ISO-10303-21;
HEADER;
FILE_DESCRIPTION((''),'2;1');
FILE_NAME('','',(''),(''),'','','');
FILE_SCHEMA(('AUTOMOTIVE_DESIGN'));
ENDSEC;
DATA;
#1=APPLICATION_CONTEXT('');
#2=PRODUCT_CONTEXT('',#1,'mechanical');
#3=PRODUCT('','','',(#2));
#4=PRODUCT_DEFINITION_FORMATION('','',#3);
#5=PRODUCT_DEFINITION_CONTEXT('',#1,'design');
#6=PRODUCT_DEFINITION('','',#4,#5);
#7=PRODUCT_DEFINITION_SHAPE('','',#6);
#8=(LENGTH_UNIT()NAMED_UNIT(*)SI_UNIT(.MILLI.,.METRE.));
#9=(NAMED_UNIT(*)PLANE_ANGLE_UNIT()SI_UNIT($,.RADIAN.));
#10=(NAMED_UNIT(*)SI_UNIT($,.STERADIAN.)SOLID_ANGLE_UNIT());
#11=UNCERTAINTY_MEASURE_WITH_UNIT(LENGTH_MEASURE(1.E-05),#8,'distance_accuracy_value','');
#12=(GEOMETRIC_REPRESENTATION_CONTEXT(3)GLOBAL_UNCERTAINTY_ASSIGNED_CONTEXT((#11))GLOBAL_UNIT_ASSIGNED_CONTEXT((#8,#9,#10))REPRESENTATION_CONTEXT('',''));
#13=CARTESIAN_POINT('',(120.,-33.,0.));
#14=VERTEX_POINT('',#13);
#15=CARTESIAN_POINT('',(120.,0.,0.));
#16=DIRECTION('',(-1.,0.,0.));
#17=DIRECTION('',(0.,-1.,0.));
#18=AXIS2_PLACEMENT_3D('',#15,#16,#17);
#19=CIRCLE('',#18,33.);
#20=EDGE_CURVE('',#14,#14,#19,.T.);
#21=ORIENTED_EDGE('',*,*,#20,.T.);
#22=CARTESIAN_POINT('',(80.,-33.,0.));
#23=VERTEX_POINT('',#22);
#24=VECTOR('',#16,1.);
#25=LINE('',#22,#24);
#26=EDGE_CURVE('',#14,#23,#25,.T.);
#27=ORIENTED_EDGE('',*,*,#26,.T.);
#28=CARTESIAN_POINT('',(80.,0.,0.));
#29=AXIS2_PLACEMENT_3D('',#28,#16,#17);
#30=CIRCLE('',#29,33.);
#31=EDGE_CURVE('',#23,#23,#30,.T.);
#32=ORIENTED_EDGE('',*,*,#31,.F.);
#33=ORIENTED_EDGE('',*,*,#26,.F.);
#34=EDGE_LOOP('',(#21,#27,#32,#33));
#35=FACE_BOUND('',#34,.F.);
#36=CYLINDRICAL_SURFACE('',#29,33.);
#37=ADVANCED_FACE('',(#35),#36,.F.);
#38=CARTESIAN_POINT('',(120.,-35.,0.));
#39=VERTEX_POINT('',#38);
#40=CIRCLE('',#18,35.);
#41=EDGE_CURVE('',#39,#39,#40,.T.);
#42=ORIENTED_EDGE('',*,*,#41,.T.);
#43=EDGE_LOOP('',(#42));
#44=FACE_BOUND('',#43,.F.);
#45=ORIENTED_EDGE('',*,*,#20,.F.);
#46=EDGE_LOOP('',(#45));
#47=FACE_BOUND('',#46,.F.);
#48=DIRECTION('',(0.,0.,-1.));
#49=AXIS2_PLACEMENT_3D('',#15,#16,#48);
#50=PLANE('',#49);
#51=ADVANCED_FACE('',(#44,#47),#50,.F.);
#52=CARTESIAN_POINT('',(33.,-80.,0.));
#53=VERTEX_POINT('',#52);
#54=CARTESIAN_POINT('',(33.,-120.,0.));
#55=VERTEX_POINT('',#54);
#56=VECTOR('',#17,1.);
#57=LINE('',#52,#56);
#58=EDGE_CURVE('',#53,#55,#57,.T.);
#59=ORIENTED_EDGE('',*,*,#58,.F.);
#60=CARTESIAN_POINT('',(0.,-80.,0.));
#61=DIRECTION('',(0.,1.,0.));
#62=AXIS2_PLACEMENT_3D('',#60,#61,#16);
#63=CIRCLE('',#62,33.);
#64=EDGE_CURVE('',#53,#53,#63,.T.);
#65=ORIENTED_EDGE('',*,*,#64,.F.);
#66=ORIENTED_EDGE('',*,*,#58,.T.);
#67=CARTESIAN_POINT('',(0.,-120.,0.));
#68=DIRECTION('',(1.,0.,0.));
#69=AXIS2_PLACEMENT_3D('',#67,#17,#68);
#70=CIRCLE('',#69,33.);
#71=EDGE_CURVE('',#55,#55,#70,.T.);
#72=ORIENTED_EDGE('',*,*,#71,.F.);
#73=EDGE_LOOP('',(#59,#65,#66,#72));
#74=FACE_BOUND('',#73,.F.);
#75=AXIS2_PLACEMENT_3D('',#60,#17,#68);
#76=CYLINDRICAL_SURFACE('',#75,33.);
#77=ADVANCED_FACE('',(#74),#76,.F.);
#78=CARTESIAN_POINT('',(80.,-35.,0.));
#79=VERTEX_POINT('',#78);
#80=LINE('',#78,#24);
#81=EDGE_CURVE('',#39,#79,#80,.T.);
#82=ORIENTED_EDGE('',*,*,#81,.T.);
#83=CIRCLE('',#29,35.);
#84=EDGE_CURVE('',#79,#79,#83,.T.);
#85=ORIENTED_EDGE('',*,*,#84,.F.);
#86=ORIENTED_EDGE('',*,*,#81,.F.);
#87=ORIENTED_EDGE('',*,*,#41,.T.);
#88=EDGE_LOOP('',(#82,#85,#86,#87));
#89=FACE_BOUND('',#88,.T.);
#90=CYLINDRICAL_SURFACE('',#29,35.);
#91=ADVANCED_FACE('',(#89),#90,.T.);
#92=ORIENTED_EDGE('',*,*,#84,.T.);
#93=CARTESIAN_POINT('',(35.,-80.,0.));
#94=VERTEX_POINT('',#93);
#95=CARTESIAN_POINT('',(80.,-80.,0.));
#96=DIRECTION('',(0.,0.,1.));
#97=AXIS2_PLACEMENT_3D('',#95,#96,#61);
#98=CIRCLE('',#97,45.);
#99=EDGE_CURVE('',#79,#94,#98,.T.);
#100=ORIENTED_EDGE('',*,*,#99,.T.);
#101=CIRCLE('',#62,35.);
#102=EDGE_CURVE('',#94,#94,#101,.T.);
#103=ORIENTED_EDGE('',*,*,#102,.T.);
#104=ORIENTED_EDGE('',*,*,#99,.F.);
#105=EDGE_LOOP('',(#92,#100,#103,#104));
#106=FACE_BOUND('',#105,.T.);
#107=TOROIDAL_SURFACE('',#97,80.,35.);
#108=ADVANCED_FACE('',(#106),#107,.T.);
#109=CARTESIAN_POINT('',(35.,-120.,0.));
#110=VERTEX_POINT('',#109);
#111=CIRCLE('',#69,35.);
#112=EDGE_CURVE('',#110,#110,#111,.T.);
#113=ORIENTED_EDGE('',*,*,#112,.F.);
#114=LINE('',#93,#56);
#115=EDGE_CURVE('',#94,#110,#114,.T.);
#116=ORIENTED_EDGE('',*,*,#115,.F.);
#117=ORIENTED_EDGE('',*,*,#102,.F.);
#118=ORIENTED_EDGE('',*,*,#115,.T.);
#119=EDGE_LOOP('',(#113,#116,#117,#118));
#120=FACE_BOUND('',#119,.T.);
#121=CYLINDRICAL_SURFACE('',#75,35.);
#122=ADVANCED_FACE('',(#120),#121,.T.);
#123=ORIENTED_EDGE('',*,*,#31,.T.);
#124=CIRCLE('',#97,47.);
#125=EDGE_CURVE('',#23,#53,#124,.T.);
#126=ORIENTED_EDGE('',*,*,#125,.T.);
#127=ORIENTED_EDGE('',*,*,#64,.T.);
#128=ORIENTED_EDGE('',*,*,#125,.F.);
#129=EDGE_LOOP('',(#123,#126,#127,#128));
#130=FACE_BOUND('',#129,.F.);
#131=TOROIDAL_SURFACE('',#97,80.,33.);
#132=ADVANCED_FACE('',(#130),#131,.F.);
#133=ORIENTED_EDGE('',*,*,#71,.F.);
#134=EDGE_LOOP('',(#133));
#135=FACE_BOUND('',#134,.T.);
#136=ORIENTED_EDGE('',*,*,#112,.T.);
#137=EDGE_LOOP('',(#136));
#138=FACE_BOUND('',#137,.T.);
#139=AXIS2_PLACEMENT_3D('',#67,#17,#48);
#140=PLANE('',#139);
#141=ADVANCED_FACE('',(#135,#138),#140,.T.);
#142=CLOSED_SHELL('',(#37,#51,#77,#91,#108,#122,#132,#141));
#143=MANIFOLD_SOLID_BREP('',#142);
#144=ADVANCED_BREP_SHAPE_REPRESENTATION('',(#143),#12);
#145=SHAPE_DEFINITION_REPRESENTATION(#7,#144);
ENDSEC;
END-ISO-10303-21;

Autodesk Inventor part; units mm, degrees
ref_plane "YZ Plane" through (0, 0, 0) normal (1, 0, 0) x (0, 1, 0)
ref_plane "XZ Plane" through (0, 0, 0) normal (0, 1, 0) x (-1, 0, 0)
sketch "Szkic6" plane through (0, 0, 0) normal (0, 0, 1) x (1, 0, 0)
  line L0 (-29.6067, 0) -> (35.2678, 0) construction
  line L1 (0, 42.3419) -> (0, -58.3726) construction
  arc A0 (80, 0) -> (0, -80) centre (80, -80) ccw
  line L2 (0, -80) -> (80, -80) construction
  line L3 (80, -80) -> (80, -14.4669) construction
  line L4 (80, 0) -> (120, 0)
  line L5 (0, -80) -> (0, -120)
  point P0 (0, 0)
  dimension "d24" = 80
  dimension "d31" = 90
  dimension "d36" = 40
  dimension "d37" = 40
ref_plane "Płaszczyzna konstrukcyjna2" through (0, -80, 0) normal (0, -1, 0) x (1, 0, 0)
sketch "Szkic8" plane through (0, -80, 0) normal (0, -1, 0) x (1, 0, 0)
  circle A0 centre (0, 0) radius 35
  circle A1 centre (0, 0) radius 33
  dimension "d32" = 70
  dimension "d33" = 2
sweep "Przeciągnięcie2" add profiles "Szkic8" path "Szkic6"
equation "\"d32\" = OD"
equation "\"d33\" = THK"
equation "\"d24\" = R"
equation "\"d31\" = KAT"
equation "\"d36\" = PROSTKA"
equation "\"d37\" = PROSTKA"
equation "\"SzerokośćGięciaPodcięcia\" = Grubość"
equation "\"RozmiarPodcięciaNarożnika\" = 4 * Grubość"
equation "\"PromieńPrzejścia\" = PromieńGięcia"
equation "\"Rozmiar_promienia_Jacobiego\" = PromieńGięcia"
equation "\"Wielk_odstępu\" = Grubość"
equation "\"d2\" = PromieńGięcia"
equation "\"d23\" = PromieńGięcia"
equation "\"R\" = 80"
equation "\"OD\" = 70"
equation "\"THK\" = 2"
equation "\"KAT\" = 90deg"
equation "\"PROSTKA\" = 40"
equation "\"Grubość\" = 1.5"
equation "\"PromieńGięcia\" = 3"
properties part number "Kolano 90° ø70x2 R80" material "304L"
